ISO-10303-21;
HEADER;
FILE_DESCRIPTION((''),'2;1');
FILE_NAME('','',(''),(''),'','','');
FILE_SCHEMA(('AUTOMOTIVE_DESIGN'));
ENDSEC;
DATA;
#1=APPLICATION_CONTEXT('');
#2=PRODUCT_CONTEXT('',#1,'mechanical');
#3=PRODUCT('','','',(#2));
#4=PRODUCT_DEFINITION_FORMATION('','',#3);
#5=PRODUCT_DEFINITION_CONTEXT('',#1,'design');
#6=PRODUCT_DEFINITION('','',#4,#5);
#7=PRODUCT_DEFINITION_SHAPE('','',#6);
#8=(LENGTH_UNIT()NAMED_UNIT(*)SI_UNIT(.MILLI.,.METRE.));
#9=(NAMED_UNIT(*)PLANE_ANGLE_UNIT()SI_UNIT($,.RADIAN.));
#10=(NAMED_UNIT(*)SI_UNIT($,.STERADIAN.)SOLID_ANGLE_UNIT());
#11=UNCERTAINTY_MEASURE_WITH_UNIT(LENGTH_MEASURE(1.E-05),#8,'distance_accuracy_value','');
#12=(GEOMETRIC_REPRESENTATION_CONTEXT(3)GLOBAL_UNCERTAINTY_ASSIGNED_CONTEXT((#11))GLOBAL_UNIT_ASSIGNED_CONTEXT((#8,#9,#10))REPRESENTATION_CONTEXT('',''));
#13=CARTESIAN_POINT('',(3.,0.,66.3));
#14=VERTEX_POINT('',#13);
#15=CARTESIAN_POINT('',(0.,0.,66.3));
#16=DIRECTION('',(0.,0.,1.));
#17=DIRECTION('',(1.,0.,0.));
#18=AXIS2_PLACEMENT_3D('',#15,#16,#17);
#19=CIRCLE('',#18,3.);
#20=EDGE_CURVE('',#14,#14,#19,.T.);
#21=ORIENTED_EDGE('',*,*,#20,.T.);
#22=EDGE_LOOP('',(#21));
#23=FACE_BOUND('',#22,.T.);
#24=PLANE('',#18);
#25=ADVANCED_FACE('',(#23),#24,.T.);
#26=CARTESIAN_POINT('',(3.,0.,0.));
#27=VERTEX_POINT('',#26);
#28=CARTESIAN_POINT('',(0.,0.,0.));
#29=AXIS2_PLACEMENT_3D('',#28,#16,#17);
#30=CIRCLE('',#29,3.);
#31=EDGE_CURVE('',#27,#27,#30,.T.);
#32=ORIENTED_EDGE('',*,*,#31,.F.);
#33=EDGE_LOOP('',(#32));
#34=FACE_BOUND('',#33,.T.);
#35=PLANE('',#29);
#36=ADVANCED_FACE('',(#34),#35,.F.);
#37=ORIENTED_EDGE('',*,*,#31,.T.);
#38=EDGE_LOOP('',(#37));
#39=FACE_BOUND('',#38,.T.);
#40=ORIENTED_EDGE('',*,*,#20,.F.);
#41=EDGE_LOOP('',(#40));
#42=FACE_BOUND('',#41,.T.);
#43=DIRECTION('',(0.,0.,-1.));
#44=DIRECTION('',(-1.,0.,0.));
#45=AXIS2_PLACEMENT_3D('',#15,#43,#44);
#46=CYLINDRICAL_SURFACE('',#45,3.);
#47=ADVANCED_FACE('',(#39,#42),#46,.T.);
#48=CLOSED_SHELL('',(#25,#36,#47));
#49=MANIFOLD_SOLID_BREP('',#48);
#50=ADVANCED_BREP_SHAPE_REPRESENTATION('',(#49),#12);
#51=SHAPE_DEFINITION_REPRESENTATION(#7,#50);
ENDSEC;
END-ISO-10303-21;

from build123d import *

# Parameters (mm, degrees)
SKETCH1_R           = 3
BOSS_EXTRUDE1_DEPTH = 66.3


with BuildPart() as part:
    # Sketch1 → Boss-Extrude1 (new body)
    with BuildSketch(Plane.XY):
        Circle(SKETCH1_R)
    extrude(amount=BOSS_EXTRUDE1_DEPTH)


solid = part.part
